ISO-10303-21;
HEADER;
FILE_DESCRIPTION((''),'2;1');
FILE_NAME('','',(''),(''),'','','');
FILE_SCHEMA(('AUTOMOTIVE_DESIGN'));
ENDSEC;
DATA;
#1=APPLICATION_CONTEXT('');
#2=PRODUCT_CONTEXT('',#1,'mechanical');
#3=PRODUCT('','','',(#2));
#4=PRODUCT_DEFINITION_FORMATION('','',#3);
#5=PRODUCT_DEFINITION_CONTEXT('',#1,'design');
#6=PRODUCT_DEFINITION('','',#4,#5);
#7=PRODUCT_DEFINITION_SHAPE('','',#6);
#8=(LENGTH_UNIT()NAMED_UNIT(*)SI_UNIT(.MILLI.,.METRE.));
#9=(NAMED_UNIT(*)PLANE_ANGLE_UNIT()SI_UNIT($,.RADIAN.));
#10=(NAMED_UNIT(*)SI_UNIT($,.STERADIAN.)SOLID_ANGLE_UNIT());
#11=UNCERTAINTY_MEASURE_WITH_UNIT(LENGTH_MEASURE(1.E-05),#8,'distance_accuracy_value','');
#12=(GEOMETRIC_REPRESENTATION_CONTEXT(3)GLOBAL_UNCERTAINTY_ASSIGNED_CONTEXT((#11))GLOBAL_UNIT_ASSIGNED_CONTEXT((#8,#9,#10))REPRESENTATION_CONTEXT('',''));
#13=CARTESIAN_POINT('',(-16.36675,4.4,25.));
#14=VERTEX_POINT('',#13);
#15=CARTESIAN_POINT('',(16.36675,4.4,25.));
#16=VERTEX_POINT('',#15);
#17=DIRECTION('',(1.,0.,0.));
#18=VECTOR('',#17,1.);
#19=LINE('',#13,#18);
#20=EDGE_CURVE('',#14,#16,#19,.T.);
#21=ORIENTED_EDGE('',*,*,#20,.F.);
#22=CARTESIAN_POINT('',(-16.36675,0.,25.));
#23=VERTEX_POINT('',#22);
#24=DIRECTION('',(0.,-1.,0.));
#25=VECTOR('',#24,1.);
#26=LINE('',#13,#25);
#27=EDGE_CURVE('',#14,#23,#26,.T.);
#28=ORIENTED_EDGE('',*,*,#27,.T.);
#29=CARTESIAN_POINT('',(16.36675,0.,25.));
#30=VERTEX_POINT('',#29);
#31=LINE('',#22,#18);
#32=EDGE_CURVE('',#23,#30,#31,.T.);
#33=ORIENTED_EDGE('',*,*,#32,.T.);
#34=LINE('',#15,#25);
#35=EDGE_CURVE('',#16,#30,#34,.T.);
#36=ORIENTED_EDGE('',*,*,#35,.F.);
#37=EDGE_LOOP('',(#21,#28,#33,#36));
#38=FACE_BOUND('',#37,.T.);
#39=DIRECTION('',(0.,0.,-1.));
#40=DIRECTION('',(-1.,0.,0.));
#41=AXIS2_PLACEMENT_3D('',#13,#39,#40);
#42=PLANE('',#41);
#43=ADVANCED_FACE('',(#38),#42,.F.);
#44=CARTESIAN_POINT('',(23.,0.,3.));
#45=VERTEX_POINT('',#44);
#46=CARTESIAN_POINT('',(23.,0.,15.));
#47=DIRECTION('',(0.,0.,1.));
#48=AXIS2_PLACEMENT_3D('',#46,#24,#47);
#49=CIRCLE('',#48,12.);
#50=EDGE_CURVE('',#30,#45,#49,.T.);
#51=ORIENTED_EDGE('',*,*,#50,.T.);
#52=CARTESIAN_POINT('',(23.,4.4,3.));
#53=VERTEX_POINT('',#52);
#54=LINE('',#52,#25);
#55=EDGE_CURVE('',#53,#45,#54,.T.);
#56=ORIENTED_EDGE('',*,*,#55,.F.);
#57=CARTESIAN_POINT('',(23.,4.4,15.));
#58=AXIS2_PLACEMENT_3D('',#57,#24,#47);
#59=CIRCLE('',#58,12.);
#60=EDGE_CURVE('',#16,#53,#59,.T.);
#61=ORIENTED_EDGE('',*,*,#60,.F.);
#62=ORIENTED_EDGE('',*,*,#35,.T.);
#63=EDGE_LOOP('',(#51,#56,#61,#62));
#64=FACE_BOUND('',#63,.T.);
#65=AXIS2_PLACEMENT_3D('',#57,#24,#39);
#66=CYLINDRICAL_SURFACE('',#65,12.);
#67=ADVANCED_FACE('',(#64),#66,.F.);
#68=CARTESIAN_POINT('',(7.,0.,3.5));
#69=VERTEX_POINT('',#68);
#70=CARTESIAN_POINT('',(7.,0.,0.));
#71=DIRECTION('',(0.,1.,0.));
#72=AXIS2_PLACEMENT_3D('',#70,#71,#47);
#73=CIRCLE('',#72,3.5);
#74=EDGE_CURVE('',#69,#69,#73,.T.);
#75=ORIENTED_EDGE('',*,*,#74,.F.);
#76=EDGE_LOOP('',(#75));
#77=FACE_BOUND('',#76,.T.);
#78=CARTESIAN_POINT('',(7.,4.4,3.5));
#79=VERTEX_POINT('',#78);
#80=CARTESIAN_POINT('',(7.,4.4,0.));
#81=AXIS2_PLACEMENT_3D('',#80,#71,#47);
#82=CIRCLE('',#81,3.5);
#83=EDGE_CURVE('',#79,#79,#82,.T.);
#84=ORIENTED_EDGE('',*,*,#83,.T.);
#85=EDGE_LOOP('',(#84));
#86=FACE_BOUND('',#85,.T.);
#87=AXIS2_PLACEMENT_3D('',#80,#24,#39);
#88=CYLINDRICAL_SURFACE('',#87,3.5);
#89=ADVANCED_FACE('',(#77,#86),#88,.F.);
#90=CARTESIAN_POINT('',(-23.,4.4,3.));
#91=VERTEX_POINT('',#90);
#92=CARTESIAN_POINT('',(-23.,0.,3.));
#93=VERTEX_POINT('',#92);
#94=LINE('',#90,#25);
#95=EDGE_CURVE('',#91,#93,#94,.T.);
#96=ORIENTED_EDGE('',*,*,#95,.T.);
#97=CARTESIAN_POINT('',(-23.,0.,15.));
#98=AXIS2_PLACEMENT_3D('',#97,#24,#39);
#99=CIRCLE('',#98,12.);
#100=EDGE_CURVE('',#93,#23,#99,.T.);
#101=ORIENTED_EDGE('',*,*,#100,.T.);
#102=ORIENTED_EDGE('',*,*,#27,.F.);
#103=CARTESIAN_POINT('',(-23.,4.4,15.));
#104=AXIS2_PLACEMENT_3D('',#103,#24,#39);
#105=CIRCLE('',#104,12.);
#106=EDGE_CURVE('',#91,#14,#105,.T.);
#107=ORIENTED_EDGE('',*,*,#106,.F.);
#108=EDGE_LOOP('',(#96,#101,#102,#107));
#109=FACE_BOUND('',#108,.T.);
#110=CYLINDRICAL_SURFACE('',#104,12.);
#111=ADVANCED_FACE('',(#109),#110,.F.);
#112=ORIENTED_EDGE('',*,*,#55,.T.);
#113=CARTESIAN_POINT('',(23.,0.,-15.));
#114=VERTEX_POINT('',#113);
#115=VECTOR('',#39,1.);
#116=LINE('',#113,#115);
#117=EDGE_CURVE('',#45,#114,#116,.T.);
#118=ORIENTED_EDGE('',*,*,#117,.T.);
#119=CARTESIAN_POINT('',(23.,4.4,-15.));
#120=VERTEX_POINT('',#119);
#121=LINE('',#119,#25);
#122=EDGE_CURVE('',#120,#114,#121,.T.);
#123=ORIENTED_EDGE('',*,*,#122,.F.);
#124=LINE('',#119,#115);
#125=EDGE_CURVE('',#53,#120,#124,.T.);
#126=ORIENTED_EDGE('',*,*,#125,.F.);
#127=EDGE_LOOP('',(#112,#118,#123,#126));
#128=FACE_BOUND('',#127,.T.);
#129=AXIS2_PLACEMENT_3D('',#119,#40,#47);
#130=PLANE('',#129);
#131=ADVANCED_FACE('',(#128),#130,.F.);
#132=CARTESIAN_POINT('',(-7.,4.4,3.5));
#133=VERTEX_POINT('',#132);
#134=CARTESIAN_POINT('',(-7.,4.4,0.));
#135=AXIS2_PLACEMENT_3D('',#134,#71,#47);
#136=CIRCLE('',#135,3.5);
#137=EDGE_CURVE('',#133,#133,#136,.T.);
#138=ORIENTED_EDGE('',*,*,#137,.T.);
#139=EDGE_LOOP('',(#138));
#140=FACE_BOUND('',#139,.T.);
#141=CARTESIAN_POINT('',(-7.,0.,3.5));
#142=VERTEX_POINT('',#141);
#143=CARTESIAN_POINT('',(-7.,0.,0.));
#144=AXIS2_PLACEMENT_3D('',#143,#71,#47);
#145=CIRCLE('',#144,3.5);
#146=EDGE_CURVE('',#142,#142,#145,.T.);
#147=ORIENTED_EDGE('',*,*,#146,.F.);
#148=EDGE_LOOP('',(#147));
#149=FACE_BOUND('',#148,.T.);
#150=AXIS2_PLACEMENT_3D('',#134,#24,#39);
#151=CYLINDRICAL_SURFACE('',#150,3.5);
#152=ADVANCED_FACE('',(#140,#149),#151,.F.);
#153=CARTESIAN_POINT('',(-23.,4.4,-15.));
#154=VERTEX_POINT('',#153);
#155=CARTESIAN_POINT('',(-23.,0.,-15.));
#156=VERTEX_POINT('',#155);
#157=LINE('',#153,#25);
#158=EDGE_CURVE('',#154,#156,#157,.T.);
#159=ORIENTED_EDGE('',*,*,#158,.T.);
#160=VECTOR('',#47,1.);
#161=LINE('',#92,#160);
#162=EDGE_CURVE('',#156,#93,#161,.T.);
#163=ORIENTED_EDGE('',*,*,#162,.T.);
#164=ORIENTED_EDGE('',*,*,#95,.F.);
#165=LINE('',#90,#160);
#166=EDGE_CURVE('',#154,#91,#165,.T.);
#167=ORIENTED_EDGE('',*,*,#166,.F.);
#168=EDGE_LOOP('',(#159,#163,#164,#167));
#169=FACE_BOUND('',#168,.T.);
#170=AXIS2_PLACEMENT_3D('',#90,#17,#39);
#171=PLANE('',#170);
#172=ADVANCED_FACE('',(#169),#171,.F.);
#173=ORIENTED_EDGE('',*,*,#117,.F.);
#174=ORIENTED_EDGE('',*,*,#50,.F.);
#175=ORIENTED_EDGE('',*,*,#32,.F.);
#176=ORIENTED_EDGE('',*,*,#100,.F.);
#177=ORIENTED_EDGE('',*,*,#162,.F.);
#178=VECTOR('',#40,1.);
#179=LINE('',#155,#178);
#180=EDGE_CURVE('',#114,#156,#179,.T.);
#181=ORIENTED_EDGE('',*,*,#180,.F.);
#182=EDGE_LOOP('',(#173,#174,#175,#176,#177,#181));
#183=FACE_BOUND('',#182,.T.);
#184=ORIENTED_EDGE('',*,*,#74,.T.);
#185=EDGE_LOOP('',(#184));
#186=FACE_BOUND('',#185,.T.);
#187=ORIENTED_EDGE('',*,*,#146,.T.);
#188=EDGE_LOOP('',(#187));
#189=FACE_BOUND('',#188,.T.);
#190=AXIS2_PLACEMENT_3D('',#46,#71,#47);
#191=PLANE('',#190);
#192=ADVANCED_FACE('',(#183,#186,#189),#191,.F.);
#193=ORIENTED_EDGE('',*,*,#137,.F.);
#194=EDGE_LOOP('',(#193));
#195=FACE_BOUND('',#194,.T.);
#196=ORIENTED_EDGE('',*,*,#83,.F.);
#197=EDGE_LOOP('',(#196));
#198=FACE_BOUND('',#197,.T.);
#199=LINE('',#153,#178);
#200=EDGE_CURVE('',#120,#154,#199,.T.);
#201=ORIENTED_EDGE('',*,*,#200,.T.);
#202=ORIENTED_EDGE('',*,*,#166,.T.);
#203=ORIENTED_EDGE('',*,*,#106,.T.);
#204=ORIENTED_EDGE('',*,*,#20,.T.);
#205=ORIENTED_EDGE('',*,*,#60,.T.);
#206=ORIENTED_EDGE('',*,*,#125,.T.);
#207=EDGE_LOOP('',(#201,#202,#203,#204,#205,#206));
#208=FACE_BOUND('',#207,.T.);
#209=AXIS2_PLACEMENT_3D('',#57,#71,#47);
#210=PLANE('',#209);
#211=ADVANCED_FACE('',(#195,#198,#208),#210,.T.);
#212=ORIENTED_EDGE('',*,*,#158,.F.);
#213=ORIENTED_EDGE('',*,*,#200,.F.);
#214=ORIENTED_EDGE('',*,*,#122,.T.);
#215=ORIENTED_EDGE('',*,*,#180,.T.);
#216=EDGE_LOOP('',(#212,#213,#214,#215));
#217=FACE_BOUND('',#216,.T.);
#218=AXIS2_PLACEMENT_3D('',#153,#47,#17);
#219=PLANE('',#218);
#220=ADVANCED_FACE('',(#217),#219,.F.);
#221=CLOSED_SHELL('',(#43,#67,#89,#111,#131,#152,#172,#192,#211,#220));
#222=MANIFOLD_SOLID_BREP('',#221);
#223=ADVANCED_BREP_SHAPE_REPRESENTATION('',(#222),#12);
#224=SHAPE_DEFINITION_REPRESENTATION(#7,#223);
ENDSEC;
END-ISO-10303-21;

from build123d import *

# Parameters (mm, degrees)
SKETCH1_R           = 3.5
BOSS_EXTRUDE1_DEPTH = 4.4


with BuildPart() as part:
    # Sketch1 → Boss-Extrude1 (new body)
    with BuildSketch(Plane(origin=(0, 0, 0), x_dir=(1, 0, 0), z_dir=(0, 1, 0))):
        with BuildLine():
            Line((-23, 15), (23, 15))
            Line((23, 15), (23, -3))
            ThreePointArc((23, -3), (14.514718626, -6.514718626), (11, -15))
            ThreePointArc((11, -15), (12.426471853, -20.674548662), (16.366750419, -25))
            Line((16.366750419, -25), (-16.366750419, -25))
            ThreePointArc((-16.366750419, -25), (-12.426471853, -20.674548662), (-11, -15))
            ThreePointArc((-11, -15), (-14.514718626, -6.514718626), (-23, -3))
            Line((-23, -3), (-23, 15))
        make_face()
        with Locations(Location((-7, 0, 0), (0, 0, 270))):
            Circle(SKETCH1_R, mode=Mode.SUBTRACT)
        with Locations(Location((7, 0, 0), (0, 0, 270))):
            Circle(SKETCH1_R, mode=Mode.SUBTRACT)
    extrude(amount=BOSS_EXTRUDE1_DEPTH)


solid = part.part
